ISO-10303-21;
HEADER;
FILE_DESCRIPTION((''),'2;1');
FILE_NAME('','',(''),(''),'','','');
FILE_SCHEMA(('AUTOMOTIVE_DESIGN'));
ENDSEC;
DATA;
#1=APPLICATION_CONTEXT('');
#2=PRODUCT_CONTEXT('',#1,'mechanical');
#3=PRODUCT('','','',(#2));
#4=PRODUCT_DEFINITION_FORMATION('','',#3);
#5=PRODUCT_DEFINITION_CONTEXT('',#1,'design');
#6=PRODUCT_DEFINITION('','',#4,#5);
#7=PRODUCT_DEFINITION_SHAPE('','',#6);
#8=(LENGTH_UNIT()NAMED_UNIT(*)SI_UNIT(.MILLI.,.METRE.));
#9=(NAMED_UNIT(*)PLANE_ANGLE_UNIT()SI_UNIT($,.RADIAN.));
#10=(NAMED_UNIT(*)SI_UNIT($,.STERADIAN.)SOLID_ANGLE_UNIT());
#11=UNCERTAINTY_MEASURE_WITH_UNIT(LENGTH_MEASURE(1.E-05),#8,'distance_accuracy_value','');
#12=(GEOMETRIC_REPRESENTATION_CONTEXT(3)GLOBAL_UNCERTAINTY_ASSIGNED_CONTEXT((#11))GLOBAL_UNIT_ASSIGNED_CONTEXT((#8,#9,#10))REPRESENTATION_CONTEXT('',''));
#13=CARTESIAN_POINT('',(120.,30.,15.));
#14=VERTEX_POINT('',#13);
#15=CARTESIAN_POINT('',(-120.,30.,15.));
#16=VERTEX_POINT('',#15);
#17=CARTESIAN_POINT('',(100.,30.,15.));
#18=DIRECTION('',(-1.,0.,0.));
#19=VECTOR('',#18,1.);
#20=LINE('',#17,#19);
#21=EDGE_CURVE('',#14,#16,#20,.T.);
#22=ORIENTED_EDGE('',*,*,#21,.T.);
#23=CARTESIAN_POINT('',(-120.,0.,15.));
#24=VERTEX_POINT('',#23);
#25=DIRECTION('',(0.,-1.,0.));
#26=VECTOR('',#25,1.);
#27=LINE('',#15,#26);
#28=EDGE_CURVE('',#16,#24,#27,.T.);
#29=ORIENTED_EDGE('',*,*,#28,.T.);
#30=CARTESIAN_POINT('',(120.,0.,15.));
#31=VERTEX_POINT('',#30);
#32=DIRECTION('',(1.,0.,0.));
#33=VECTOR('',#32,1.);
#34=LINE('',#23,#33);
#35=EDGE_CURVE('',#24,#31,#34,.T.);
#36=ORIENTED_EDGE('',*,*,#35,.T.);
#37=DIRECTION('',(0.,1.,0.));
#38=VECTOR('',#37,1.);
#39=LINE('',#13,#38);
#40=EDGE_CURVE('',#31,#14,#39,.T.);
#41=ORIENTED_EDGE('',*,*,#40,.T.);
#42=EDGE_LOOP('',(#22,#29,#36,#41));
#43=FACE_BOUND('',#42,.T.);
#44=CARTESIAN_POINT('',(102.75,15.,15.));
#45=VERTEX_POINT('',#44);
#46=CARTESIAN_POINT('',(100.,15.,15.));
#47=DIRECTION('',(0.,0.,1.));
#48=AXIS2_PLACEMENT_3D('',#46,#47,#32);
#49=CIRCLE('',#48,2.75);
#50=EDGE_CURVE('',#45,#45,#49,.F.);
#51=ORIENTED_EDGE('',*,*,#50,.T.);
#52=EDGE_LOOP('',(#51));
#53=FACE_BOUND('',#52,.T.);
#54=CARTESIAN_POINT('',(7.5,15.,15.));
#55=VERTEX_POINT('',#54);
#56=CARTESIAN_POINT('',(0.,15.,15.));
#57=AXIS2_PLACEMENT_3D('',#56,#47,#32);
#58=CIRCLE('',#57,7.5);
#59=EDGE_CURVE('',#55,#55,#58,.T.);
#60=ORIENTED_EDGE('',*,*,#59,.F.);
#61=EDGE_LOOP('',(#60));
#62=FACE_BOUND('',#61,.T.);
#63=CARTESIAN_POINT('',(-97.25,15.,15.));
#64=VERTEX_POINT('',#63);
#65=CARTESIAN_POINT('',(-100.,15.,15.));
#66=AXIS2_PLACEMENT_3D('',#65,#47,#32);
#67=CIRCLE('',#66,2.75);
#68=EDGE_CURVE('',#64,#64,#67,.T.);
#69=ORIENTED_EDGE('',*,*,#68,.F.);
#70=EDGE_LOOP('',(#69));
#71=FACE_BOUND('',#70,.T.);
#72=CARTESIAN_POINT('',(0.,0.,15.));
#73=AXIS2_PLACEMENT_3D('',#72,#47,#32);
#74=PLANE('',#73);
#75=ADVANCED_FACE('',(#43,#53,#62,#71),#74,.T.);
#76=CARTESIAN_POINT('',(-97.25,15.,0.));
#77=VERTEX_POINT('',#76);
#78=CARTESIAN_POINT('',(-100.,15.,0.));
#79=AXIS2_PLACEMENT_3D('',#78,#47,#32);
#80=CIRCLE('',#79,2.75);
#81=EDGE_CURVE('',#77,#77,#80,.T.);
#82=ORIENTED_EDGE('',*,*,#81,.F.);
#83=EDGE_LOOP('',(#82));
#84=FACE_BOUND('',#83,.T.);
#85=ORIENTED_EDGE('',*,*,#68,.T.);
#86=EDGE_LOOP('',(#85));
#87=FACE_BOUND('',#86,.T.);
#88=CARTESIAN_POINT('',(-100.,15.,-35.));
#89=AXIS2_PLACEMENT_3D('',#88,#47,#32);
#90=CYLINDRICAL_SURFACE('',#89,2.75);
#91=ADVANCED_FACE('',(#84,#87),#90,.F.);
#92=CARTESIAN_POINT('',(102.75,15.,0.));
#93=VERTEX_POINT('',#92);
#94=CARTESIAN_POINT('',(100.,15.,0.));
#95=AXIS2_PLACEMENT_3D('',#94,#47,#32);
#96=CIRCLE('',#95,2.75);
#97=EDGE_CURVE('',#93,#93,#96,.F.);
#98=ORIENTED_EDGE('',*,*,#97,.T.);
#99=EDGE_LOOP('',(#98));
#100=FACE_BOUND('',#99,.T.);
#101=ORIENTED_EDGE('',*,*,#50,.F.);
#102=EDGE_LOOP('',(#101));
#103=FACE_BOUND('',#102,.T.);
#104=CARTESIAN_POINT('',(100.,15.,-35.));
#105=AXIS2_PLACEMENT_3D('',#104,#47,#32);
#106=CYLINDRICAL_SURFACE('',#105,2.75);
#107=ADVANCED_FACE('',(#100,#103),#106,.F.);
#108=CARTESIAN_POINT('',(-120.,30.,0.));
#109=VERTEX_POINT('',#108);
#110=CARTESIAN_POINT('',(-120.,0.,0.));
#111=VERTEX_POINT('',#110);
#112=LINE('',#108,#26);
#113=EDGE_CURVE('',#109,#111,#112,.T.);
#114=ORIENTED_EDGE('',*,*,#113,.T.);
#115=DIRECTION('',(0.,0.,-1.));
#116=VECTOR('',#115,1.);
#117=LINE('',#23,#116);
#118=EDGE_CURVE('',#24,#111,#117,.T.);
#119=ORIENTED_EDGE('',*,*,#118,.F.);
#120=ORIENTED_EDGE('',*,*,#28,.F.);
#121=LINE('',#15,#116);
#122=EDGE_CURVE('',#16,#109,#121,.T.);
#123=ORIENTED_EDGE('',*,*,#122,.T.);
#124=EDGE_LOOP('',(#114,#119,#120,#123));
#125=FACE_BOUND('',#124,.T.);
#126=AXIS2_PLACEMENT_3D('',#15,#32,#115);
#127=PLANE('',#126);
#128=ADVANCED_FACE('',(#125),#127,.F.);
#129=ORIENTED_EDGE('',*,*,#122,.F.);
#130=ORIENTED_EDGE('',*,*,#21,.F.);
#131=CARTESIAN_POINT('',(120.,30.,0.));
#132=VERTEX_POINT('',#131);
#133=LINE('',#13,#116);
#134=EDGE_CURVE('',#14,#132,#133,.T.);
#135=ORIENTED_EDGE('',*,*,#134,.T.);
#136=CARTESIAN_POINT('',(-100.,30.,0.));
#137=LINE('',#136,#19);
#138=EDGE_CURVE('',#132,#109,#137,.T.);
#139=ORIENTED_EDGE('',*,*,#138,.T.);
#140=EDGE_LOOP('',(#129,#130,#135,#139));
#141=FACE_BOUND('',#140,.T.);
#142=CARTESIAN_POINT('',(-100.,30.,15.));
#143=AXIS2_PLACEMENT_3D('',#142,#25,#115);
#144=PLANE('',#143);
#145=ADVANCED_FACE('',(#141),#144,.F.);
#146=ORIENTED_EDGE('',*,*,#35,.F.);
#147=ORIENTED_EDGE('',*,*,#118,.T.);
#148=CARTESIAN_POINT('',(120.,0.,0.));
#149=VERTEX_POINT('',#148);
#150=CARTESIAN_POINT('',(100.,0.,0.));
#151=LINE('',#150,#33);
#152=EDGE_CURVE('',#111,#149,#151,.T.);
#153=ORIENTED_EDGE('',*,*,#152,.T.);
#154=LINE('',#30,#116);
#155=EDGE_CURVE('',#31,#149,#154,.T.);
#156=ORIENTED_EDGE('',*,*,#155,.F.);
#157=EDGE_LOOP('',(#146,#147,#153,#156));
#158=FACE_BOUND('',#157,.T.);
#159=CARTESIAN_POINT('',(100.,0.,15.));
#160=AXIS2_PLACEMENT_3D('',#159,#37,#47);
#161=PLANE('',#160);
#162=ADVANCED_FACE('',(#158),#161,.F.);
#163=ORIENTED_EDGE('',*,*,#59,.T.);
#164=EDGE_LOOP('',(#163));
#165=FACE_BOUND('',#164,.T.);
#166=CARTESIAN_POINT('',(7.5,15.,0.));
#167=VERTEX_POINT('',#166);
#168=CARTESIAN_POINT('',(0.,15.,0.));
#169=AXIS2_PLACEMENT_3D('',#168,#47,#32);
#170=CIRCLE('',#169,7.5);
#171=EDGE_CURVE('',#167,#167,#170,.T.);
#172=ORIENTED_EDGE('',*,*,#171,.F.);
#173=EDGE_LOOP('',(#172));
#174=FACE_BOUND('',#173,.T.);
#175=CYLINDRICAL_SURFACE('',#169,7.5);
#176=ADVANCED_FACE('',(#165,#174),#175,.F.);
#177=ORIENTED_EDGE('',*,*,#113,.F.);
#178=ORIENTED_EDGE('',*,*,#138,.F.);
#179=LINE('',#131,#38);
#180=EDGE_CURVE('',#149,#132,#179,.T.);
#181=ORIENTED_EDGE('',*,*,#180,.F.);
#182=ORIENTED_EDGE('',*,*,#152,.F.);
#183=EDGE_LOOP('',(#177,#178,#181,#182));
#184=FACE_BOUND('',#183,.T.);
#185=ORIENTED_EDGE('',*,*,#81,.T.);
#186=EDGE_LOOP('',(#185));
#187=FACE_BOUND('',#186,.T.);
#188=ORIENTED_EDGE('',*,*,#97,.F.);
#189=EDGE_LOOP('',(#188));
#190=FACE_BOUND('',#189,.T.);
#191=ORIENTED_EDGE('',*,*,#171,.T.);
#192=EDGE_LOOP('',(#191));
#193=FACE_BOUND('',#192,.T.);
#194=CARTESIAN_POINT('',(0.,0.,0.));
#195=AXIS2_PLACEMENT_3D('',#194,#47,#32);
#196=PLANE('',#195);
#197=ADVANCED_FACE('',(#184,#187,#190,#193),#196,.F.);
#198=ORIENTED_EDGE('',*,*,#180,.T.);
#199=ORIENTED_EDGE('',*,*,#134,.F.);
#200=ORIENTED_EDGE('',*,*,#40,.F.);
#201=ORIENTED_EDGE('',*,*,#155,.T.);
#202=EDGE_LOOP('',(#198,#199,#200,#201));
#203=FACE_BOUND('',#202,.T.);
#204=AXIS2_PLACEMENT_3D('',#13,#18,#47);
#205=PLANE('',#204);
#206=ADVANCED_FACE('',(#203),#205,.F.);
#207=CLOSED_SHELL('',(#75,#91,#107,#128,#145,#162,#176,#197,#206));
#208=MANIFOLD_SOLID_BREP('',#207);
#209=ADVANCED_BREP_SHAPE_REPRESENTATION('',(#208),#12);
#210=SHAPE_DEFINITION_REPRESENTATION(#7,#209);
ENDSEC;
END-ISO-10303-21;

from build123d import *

# Parameters (mm, degrees)
RESSALTO_EXTRUS_O1_DEPTH = 15
CORTE_EXTRUS_O1_DEPTH    = 15
ESBO_O3_R                = 2.75
CORTE_EXTRUS_O2_DEPTH    = 50


with BuildPart() as part:
    # Esboço1 → Ressalto-extrusão1 (new body)
    with BuildSketch(Plane.XY):
        Polygon((100, 0), (-100, 0), (-120, 0), (-120, 30), (-100, 30), (100, 30), (120, 30), (120, 0), align=None)
    extrude(amount=RESSALTO_EXTRUS_O1_DEPTH)

    # Esboço2 → Corte-extrusão1 (cut)
    with BuildSketch(Plane.XY.offset(15)):
        with BuildLine():
            ThreePointArc((7.5, 15), (5.303300859, 20.303300859), (0, 22.5))
            Line((0, 22.5), (0, 7.5))
            ThreePointArc((0, 7.5), (5.303300859, 9.696699141), (7.5, 15))
        make_face()
        with BuildLine():
            Line((0, 7.5), (0, 22.5))
            ThreePointArc((0, 22.5), (-7.5, 15), (0, 7.5))
        make_face()
    extrude(amount=-CORTE_EXTRUS_O1_DEPTH, mode=Mode.SUBTRACT)

    # Esboço3 → Corte-extrusão2 (cut)
    with BuildSketch(Plane.XY.offset(15)):
        with Locations((-100, 15)):
            Circle(ESBO_O3_R)
        with Locations((100, 15)):
            Circle(ESBO_O3_R)
    extrude(amount=-CORTE_EXTRUS_O2_DEPTH, mode=Mode.SUBTRACT)


solid = part.part
